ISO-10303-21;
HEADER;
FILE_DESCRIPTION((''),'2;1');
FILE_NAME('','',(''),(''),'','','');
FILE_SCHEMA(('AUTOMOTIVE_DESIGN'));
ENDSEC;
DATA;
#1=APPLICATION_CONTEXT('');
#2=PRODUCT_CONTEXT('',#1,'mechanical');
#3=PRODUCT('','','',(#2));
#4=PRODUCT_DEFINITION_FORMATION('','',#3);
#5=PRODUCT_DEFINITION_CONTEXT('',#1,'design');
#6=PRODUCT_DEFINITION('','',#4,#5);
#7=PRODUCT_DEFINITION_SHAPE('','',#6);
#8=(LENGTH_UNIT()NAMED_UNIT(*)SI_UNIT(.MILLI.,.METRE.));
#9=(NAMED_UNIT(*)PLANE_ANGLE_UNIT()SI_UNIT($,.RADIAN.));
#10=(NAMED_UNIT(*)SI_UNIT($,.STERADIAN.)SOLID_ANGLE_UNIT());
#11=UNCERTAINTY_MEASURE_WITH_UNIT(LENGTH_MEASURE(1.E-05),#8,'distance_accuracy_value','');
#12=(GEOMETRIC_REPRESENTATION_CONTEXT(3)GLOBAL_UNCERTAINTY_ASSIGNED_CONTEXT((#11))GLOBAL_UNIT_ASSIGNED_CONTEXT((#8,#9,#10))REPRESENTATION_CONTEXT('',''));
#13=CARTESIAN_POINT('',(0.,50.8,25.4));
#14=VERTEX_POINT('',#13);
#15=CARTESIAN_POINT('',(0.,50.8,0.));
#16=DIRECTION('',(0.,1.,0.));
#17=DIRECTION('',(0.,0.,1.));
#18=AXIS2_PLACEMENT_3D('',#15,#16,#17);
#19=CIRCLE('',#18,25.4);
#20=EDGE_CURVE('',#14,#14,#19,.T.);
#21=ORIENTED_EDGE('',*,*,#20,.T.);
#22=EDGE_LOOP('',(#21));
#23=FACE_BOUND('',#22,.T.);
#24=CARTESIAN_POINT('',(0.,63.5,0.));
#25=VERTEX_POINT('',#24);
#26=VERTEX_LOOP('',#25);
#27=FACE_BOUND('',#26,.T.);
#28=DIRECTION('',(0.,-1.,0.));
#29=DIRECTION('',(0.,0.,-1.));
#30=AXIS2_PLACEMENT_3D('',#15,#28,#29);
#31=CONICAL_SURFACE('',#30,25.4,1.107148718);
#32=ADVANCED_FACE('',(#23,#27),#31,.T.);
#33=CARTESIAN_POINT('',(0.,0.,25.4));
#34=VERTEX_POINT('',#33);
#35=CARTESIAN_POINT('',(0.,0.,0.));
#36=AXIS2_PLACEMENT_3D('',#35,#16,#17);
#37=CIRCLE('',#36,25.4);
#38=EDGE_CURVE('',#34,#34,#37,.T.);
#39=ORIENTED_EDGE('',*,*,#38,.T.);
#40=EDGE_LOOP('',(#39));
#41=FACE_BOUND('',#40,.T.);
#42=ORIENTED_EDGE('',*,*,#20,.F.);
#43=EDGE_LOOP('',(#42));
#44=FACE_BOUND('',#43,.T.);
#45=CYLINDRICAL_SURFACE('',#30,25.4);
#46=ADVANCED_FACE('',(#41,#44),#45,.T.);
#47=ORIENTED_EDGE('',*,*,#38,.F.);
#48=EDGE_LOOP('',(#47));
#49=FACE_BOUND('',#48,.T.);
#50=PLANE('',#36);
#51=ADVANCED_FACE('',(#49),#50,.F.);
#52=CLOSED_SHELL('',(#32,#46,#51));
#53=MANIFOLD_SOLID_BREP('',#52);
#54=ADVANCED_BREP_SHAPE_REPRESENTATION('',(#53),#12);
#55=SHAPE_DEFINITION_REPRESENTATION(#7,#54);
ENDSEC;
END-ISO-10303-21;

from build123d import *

# Parameters (mm, degrees)
SKETCH1_R           = 25.4
BOSS_EXTRUDE1_DEPTH = 50.8


with BuildPart() as part:
    # Sketch1 → Boss-Extrude1 (new body)
    with BuildSketch(Plane(origin=(0, 0, 0), x_dir=(1, 0, 0), z_dir=(0, 1, 0))):
        Circle(SKETCH1_R)
    extrude(amount=BOSS_EXTRUDE1_DEPTH)

    # Sketch2 → Revolve1 (revolve)
    with BuildSketch(Plane.XY):
        Polygon((0, 50.8), (0, 63.5), (25.4, 50.8), align=None)
    revolve(axis=Axis((0, 50.8, 0), (0, 1, 0)))


solid = part.part
